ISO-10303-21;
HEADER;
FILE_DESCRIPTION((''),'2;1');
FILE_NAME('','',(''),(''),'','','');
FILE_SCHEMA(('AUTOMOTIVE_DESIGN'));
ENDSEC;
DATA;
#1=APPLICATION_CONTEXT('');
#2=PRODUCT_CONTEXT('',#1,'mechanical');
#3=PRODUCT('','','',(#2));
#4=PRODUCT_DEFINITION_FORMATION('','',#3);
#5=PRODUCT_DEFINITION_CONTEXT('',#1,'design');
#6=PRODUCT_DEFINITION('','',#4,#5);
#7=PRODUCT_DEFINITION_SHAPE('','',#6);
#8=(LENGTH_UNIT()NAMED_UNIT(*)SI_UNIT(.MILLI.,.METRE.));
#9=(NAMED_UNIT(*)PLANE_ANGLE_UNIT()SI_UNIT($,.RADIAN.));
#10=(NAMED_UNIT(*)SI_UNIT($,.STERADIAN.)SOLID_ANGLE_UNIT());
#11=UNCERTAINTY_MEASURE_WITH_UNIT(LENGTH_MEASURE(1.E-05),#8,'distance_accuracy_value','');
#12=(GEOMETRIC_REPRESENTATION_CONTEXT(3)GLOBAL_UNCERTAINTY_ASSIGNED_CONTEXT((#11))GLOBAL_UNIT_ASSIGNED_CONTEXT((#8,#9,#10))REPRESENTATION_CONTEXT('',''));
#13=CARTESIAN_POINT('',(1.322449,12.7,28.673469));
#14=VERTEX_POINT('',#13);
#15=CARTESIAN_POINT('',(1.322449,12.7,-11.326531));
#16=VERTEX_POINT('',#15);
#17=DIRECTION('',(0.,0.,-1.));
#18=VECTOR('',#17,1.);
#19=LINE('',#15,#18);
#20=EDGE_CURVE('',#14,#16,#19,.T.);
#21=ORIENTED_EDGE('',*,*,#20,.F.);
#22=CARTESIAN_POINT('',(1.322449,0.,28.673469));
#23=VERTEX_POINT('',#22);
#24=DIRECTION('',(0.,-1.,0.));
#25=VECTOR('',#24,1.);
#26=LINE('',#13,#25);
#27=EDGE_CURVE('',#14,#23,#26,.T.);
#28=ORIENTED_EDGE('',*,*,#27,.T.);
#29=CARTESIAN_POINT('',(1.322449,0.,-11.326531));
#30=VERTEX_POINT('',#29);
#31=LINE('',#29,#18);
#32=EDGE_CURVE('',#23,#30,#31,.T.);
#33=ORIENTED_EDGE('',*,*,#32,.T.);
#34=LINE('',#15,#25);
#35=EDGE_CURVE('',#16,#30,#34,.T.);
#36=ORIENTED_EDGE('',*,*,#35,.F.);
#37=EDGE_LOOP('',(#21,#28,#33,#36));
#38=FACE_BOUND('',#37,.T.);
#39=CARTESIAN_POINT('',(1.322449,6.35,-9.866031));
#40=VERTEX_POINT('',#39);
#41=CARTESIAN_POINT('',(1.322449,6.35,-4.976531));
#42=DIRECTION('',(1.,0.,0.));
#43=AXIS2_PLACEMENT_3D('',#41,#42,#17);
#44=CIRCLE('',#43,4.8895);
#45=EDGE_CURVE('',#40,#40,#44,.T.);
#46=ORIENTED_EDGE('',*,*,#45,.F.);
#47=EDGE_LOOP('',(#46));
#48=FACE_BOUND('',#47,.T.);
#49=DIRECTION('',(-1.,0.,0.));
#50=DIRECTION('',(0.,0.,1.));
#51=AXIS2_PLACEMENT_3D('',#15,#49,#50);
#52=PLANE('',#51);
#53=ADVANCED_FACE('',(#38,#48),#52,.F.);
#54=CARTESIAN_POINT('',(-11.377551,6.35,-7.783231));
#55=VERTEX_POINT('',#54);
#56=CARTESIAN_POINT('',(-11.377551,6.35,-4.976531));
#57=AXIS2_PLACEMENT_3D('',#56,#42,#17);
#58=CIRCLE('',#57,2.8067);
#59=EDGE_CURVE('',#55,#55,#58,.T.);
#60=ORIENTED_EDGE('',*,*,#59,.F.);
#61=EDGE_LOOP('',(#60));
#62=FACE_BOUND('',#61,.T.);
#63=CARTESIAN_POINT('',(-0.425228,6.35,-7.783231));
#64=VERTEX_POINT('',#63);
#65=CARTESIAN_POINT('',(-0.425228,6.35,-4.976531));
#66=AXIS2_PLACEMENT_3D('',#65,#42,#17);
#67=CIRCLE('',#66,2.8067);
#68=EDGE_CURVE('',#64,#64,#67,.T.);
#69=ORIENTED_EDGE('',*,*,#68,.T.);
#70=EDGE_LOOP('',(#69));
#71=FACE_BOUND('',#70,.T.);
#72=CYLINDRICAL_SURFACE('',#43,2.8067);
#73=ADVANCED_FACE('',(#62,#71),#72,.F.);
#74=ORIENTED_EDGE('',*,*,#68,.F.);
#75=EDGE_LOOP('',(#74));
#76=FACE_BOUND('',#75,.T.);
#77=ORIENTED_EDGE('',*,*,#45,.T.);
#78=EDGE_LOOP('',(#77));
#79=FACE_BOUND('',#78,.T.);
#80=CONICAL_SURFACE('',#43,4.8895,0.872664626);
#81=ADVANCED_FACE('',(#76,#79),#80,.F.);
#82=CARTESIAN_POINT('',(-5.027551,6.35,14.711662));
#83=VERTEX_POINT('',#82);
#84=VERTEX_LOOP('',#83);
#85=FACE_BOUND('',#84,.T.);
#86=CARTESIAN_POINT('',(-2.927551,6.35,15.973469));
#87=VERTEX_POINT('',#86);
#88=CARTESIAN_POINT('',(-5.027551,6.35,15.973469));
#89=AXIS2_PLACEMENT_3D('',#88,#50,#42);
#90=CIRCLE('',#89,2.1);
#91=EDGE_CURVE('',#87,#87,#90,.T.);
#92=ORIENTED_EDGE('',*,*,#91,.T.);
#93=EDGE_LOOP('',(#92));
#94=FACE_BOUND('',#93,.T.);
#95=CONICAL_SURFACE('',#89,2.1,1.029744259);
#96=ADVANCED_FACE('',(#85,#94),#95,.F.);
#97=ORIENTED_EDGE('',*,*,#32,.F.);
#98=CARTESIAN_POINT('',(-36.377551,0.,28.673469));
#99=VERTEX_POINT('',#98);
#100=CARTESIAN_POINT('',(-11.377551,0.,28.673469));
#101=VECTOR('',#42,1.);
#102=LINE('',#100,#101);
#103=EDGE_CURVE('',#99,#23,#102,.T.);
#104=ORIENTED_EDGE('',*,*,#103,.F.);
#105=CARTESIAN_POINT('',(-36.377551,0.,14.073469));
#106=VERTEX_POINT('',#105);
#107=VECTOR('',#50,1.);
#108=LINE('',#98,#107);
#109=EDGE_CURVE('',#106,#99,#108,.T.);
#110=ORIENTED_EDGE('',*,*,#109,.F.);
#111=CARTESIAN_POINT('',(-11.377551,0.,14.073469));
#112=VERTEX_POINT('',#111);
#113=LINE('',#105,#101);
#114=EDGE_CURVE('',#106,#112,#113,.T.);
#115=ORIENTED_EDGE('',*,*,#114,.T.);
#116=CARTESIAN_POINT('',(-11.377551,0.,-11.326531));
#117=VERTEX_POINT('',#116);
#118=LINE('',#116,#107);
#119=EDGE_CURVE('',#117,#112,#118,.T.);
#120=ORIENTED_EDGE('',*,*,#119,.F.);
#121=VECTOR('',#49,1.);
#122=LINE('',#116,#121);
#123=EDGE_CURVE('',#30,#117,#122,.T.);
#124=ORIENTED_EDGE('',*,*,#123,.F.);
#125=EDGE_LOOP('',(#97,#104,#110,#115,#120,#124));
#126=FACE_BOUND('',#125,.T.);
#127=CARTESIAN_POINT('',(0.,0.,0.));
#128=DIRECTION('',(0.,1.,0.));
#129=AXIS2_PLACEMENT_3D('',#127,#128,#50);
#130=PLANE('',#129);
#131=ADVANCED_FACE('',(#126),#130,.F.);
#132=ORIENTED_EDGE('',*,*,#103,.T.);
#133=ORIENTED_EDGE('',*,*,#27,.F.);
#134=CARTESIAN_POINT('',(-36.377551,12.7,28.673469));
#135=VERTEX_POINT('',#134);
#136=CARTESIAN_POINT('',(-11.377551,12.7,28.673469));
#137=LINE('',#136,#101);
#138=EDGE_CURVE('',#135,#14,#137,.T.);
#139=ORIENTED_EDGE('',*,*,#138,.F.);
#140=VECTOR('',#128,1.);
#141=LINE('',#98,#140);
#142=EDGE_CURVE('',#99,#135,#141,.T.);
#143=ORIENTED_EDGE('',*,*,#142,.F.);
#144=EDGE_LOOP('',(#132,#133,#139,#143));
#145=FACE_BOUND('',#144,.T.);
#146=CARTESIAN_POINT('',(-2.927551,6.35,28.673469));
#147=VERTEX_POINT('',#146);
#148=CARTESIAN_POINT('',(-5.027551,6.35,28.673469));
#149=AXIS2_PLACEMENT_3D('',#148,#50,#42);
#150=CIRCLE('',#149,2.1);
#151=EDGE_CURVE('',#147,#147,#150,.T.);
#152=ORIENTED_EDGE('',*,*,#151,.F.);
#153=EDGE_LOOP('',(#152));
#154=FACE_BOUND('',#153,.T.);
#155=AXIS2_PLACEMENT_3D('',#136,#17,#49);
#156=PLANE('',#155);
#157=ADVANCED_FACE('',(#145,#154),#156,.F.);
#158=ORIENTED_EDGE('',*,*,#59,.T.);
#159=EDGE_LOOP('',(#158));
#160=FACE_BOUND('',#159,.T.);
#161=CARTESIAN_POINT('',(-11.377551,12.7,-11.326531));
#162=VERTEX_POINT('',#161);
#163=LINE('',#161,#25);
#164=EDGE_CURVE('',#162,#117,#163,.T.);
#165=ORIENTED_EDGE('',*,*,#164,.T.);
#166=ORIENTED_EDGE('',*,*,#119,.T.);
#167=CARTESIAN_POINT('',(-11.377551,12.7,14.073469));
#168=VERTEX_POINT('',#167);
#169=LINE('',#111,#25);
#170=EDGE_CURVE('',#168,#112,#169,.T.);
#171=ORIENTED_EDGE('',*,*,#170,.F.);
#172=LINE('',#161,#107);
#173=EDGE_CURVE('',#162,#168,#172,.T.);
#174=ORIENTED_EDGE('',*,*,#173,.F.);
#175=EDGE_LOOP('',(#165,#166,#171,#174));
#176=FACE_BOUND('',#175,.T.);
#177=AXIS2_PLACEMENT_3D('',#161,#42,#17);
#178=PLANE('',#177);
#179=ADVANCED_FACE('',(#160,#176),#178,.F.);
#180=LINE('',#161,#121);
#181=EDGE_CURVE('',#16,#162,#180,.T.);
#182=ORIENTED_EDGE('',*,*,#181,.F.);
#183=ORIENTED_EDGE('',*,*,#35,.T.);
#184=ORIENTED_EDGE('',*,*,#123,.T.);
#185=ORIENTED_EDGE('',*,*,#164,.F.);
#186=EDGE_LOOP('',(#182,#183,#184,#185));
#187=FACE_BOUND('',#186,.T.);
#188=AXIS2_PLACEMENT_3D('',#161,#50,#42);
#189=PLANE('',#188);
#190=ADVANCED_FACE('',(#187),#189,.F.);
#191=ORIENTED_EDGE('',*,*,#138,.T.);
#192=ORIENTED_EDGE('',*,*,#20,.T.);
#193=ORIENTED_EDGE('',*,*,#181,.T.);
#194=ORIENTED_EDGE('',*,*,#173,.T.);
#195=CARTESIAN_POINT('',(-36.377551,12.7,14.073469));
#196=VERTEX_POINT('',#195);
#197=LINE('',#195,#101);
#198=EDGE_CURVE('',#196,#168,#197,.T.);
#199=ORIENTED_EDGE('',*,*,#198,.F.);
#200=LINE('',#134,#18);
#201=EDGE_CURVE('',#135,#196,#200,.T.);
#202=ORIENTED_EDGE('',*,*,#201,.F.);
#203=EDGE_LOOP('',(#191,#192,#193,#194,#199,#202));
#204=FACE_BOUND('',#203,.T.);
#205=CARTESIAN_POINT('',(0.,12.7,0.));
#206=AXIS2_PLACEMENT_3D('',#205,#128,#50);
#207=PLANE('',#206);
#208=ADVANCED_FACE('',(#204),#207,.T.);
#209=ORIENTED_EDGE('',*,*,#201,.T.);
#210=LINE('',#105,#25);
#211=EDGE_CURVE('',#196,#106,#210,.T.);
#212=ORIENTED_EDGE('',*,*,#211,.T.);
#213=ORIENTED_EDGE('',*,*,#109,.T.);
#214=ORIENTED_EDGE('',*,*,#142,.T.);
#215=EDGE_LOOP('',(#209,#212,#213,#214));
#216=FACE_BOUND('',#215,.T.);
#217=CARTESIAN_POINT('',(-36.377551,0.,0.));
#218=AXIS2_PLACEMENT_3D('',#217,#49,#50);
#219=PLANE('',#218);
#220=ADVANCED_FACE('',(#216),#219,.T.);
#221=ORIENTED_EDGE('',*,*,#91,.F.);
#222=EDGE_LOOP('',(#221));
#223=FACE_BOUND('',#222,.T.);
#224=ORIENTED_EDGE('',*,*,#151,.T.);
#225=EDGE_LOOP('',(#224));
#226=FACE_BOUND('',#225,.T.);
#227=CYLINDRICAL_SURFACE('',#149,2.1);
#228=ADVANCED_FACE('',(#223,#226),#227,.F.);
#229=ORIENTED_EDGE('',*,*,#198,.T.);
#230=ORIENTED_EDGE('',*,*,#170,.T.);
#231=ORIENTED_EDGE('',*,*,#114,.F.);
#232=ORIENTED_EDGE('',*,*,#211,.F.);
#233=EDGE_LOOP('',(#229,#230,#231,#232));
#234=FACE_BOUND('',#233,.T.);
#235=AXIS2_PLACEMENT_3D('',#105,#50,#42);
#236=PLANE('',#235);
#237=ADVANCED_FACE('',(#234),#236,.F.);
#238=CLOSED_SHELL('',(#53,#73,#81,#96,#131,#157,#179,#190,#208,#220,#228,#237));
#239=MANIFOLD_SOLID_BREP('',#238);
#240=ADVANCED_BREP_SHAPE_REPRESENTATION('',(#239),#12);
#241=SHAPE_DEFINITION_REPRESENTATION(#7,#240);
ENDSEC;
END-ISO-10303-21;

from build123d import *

# Parameters (mm, degrees)
SKETCH1_W                                          = 12.7
SKETCH1_H                                          = 40
BOSS_EXTRUDE1_DEPTH                                = 12.7
CSK_FOR_10_FLAT_HEAD_MACHINE_SCREW_100_D           = 5.6134
CSK_FOR_10_FLAT_HEAD_MACHINE_SCREW_100_DEPTH       = 12.7
CSK_FOR_10_FLAT_HEAD_MACHINE_SCREW_100_CSINK_D     = 9.779
CSK_FOR_10_FLAT_HEAD_MACHINE_SCREW_100_CSINK_ANGLE = 100
CSK_FOR_10_FLAT_HEAD_MACHINE_SCREW_100_TIP         = 1.686435499
TAP_DRILL_FOR_M5X0_8_TAP1_D                        = 4.2
TAP_DRILL_FOR_M5X0_8_TAP1_DEPTH                    = 12.7
TAP_DRILL_FOR_M5X0_8_TAP1_TIP                      = 1.2618073
SKETCH8_W                                          = 14.6
SKETCH8_H                                          = 12.7
BOSS_EXTRUDE2_DEPTH                                = 25


with BuildPart() as part:
    # Sketch1 → Boss-Extrude1 (new body)
    with BuildSketch(Plane(origin=(0, 0, 0), x_dir=(1, 0, 0), z_dir=(0, 1, 0))):
        with Locations((-5.02755102, -8.673469388)):
            Rectangle(SKETCH1_W, SKETCH1_H)
    extrude(amount=BOSS_EXTRUDE1_DEPTH)

    # CSK for #10 Flat Head Machine Screw (100)1
    with Locations(Plane(origin=(1.32244898, 0, 0), x_dir=(0, 0, -1), z_dir=(1, 0, 0))):
        with Locations((4.976530612, 6.35)):
            CounterSinkHole(CSK_FOR_10_FLAT_HEAD_MACHINE_SCREW_100_D / 2, CSK_FOR_10_FLAT_HEAD_MACHINE_SCREW_100_CSINK_D / 2, depth=CSK_FOR_10_FLAT_HEAD_MACHINE_SCREW_100_DEPTH, counter_sink_angle=CSK_FOR_10_FLAT_HEAD_MACHINE_SCREW_100_CSINK_ANGLE)
            with Locations((0, 0, -(CSK_FOR_10_FLAT_HEAD_MACHINE_SCREW_100_DEPTH + CSK_FOR_10_FLAT_HEAD_MACHINE_SCREW_100_TIP / 2))):  # 118° drill point
                Cone(0, CSK_FOR_10_FLAT_HEAD_MACHINE_SCREW_100_D / 2, CSK_FOR_10_FLAT_HEAD_MACHINE_SCREW_100_TIP, mode=Mode.SUBTRACT)

    # Tap Drill for M5x0.8 Tap1
    with Locations(Plane.XY.offset(28.673469388)):
        with Locations((-5.02755102, 6.35)):
            Hole(TAP_DRILL_FOR_M5X0_8_TAP1_D / 2, depth=TAP_DRILL_FOR_M5X0_8_TAP1_DEPTH)
            with Locations((0, 0, -(TAP_DRILL_FOR_M5X0_8_TAP1_DEPTH + TAP_DRILL_FOR_M5X0_8_TAP1_TIP / 2))):  # 118° drill point
                Cone(0, TAP_DRILL_FOR_M5X0_8_TAP1_D / 2, TAP_DRILL_FOR_M5X0_8_TAP1_TIP, mode=Mode.SUBTRACT)

    # Sketch8 → Boss-Extrude2 (add)
    with BuildSketch(Plane.ZY.offset(11.37755102)):
        with Locations((21.373469388, 6.35)):
            Rectangle(SKETCH8_W, SKETCH8_H)
    extrude(amount=BOSS_EXTRUDE2_DEPTH)


solid = part.part
